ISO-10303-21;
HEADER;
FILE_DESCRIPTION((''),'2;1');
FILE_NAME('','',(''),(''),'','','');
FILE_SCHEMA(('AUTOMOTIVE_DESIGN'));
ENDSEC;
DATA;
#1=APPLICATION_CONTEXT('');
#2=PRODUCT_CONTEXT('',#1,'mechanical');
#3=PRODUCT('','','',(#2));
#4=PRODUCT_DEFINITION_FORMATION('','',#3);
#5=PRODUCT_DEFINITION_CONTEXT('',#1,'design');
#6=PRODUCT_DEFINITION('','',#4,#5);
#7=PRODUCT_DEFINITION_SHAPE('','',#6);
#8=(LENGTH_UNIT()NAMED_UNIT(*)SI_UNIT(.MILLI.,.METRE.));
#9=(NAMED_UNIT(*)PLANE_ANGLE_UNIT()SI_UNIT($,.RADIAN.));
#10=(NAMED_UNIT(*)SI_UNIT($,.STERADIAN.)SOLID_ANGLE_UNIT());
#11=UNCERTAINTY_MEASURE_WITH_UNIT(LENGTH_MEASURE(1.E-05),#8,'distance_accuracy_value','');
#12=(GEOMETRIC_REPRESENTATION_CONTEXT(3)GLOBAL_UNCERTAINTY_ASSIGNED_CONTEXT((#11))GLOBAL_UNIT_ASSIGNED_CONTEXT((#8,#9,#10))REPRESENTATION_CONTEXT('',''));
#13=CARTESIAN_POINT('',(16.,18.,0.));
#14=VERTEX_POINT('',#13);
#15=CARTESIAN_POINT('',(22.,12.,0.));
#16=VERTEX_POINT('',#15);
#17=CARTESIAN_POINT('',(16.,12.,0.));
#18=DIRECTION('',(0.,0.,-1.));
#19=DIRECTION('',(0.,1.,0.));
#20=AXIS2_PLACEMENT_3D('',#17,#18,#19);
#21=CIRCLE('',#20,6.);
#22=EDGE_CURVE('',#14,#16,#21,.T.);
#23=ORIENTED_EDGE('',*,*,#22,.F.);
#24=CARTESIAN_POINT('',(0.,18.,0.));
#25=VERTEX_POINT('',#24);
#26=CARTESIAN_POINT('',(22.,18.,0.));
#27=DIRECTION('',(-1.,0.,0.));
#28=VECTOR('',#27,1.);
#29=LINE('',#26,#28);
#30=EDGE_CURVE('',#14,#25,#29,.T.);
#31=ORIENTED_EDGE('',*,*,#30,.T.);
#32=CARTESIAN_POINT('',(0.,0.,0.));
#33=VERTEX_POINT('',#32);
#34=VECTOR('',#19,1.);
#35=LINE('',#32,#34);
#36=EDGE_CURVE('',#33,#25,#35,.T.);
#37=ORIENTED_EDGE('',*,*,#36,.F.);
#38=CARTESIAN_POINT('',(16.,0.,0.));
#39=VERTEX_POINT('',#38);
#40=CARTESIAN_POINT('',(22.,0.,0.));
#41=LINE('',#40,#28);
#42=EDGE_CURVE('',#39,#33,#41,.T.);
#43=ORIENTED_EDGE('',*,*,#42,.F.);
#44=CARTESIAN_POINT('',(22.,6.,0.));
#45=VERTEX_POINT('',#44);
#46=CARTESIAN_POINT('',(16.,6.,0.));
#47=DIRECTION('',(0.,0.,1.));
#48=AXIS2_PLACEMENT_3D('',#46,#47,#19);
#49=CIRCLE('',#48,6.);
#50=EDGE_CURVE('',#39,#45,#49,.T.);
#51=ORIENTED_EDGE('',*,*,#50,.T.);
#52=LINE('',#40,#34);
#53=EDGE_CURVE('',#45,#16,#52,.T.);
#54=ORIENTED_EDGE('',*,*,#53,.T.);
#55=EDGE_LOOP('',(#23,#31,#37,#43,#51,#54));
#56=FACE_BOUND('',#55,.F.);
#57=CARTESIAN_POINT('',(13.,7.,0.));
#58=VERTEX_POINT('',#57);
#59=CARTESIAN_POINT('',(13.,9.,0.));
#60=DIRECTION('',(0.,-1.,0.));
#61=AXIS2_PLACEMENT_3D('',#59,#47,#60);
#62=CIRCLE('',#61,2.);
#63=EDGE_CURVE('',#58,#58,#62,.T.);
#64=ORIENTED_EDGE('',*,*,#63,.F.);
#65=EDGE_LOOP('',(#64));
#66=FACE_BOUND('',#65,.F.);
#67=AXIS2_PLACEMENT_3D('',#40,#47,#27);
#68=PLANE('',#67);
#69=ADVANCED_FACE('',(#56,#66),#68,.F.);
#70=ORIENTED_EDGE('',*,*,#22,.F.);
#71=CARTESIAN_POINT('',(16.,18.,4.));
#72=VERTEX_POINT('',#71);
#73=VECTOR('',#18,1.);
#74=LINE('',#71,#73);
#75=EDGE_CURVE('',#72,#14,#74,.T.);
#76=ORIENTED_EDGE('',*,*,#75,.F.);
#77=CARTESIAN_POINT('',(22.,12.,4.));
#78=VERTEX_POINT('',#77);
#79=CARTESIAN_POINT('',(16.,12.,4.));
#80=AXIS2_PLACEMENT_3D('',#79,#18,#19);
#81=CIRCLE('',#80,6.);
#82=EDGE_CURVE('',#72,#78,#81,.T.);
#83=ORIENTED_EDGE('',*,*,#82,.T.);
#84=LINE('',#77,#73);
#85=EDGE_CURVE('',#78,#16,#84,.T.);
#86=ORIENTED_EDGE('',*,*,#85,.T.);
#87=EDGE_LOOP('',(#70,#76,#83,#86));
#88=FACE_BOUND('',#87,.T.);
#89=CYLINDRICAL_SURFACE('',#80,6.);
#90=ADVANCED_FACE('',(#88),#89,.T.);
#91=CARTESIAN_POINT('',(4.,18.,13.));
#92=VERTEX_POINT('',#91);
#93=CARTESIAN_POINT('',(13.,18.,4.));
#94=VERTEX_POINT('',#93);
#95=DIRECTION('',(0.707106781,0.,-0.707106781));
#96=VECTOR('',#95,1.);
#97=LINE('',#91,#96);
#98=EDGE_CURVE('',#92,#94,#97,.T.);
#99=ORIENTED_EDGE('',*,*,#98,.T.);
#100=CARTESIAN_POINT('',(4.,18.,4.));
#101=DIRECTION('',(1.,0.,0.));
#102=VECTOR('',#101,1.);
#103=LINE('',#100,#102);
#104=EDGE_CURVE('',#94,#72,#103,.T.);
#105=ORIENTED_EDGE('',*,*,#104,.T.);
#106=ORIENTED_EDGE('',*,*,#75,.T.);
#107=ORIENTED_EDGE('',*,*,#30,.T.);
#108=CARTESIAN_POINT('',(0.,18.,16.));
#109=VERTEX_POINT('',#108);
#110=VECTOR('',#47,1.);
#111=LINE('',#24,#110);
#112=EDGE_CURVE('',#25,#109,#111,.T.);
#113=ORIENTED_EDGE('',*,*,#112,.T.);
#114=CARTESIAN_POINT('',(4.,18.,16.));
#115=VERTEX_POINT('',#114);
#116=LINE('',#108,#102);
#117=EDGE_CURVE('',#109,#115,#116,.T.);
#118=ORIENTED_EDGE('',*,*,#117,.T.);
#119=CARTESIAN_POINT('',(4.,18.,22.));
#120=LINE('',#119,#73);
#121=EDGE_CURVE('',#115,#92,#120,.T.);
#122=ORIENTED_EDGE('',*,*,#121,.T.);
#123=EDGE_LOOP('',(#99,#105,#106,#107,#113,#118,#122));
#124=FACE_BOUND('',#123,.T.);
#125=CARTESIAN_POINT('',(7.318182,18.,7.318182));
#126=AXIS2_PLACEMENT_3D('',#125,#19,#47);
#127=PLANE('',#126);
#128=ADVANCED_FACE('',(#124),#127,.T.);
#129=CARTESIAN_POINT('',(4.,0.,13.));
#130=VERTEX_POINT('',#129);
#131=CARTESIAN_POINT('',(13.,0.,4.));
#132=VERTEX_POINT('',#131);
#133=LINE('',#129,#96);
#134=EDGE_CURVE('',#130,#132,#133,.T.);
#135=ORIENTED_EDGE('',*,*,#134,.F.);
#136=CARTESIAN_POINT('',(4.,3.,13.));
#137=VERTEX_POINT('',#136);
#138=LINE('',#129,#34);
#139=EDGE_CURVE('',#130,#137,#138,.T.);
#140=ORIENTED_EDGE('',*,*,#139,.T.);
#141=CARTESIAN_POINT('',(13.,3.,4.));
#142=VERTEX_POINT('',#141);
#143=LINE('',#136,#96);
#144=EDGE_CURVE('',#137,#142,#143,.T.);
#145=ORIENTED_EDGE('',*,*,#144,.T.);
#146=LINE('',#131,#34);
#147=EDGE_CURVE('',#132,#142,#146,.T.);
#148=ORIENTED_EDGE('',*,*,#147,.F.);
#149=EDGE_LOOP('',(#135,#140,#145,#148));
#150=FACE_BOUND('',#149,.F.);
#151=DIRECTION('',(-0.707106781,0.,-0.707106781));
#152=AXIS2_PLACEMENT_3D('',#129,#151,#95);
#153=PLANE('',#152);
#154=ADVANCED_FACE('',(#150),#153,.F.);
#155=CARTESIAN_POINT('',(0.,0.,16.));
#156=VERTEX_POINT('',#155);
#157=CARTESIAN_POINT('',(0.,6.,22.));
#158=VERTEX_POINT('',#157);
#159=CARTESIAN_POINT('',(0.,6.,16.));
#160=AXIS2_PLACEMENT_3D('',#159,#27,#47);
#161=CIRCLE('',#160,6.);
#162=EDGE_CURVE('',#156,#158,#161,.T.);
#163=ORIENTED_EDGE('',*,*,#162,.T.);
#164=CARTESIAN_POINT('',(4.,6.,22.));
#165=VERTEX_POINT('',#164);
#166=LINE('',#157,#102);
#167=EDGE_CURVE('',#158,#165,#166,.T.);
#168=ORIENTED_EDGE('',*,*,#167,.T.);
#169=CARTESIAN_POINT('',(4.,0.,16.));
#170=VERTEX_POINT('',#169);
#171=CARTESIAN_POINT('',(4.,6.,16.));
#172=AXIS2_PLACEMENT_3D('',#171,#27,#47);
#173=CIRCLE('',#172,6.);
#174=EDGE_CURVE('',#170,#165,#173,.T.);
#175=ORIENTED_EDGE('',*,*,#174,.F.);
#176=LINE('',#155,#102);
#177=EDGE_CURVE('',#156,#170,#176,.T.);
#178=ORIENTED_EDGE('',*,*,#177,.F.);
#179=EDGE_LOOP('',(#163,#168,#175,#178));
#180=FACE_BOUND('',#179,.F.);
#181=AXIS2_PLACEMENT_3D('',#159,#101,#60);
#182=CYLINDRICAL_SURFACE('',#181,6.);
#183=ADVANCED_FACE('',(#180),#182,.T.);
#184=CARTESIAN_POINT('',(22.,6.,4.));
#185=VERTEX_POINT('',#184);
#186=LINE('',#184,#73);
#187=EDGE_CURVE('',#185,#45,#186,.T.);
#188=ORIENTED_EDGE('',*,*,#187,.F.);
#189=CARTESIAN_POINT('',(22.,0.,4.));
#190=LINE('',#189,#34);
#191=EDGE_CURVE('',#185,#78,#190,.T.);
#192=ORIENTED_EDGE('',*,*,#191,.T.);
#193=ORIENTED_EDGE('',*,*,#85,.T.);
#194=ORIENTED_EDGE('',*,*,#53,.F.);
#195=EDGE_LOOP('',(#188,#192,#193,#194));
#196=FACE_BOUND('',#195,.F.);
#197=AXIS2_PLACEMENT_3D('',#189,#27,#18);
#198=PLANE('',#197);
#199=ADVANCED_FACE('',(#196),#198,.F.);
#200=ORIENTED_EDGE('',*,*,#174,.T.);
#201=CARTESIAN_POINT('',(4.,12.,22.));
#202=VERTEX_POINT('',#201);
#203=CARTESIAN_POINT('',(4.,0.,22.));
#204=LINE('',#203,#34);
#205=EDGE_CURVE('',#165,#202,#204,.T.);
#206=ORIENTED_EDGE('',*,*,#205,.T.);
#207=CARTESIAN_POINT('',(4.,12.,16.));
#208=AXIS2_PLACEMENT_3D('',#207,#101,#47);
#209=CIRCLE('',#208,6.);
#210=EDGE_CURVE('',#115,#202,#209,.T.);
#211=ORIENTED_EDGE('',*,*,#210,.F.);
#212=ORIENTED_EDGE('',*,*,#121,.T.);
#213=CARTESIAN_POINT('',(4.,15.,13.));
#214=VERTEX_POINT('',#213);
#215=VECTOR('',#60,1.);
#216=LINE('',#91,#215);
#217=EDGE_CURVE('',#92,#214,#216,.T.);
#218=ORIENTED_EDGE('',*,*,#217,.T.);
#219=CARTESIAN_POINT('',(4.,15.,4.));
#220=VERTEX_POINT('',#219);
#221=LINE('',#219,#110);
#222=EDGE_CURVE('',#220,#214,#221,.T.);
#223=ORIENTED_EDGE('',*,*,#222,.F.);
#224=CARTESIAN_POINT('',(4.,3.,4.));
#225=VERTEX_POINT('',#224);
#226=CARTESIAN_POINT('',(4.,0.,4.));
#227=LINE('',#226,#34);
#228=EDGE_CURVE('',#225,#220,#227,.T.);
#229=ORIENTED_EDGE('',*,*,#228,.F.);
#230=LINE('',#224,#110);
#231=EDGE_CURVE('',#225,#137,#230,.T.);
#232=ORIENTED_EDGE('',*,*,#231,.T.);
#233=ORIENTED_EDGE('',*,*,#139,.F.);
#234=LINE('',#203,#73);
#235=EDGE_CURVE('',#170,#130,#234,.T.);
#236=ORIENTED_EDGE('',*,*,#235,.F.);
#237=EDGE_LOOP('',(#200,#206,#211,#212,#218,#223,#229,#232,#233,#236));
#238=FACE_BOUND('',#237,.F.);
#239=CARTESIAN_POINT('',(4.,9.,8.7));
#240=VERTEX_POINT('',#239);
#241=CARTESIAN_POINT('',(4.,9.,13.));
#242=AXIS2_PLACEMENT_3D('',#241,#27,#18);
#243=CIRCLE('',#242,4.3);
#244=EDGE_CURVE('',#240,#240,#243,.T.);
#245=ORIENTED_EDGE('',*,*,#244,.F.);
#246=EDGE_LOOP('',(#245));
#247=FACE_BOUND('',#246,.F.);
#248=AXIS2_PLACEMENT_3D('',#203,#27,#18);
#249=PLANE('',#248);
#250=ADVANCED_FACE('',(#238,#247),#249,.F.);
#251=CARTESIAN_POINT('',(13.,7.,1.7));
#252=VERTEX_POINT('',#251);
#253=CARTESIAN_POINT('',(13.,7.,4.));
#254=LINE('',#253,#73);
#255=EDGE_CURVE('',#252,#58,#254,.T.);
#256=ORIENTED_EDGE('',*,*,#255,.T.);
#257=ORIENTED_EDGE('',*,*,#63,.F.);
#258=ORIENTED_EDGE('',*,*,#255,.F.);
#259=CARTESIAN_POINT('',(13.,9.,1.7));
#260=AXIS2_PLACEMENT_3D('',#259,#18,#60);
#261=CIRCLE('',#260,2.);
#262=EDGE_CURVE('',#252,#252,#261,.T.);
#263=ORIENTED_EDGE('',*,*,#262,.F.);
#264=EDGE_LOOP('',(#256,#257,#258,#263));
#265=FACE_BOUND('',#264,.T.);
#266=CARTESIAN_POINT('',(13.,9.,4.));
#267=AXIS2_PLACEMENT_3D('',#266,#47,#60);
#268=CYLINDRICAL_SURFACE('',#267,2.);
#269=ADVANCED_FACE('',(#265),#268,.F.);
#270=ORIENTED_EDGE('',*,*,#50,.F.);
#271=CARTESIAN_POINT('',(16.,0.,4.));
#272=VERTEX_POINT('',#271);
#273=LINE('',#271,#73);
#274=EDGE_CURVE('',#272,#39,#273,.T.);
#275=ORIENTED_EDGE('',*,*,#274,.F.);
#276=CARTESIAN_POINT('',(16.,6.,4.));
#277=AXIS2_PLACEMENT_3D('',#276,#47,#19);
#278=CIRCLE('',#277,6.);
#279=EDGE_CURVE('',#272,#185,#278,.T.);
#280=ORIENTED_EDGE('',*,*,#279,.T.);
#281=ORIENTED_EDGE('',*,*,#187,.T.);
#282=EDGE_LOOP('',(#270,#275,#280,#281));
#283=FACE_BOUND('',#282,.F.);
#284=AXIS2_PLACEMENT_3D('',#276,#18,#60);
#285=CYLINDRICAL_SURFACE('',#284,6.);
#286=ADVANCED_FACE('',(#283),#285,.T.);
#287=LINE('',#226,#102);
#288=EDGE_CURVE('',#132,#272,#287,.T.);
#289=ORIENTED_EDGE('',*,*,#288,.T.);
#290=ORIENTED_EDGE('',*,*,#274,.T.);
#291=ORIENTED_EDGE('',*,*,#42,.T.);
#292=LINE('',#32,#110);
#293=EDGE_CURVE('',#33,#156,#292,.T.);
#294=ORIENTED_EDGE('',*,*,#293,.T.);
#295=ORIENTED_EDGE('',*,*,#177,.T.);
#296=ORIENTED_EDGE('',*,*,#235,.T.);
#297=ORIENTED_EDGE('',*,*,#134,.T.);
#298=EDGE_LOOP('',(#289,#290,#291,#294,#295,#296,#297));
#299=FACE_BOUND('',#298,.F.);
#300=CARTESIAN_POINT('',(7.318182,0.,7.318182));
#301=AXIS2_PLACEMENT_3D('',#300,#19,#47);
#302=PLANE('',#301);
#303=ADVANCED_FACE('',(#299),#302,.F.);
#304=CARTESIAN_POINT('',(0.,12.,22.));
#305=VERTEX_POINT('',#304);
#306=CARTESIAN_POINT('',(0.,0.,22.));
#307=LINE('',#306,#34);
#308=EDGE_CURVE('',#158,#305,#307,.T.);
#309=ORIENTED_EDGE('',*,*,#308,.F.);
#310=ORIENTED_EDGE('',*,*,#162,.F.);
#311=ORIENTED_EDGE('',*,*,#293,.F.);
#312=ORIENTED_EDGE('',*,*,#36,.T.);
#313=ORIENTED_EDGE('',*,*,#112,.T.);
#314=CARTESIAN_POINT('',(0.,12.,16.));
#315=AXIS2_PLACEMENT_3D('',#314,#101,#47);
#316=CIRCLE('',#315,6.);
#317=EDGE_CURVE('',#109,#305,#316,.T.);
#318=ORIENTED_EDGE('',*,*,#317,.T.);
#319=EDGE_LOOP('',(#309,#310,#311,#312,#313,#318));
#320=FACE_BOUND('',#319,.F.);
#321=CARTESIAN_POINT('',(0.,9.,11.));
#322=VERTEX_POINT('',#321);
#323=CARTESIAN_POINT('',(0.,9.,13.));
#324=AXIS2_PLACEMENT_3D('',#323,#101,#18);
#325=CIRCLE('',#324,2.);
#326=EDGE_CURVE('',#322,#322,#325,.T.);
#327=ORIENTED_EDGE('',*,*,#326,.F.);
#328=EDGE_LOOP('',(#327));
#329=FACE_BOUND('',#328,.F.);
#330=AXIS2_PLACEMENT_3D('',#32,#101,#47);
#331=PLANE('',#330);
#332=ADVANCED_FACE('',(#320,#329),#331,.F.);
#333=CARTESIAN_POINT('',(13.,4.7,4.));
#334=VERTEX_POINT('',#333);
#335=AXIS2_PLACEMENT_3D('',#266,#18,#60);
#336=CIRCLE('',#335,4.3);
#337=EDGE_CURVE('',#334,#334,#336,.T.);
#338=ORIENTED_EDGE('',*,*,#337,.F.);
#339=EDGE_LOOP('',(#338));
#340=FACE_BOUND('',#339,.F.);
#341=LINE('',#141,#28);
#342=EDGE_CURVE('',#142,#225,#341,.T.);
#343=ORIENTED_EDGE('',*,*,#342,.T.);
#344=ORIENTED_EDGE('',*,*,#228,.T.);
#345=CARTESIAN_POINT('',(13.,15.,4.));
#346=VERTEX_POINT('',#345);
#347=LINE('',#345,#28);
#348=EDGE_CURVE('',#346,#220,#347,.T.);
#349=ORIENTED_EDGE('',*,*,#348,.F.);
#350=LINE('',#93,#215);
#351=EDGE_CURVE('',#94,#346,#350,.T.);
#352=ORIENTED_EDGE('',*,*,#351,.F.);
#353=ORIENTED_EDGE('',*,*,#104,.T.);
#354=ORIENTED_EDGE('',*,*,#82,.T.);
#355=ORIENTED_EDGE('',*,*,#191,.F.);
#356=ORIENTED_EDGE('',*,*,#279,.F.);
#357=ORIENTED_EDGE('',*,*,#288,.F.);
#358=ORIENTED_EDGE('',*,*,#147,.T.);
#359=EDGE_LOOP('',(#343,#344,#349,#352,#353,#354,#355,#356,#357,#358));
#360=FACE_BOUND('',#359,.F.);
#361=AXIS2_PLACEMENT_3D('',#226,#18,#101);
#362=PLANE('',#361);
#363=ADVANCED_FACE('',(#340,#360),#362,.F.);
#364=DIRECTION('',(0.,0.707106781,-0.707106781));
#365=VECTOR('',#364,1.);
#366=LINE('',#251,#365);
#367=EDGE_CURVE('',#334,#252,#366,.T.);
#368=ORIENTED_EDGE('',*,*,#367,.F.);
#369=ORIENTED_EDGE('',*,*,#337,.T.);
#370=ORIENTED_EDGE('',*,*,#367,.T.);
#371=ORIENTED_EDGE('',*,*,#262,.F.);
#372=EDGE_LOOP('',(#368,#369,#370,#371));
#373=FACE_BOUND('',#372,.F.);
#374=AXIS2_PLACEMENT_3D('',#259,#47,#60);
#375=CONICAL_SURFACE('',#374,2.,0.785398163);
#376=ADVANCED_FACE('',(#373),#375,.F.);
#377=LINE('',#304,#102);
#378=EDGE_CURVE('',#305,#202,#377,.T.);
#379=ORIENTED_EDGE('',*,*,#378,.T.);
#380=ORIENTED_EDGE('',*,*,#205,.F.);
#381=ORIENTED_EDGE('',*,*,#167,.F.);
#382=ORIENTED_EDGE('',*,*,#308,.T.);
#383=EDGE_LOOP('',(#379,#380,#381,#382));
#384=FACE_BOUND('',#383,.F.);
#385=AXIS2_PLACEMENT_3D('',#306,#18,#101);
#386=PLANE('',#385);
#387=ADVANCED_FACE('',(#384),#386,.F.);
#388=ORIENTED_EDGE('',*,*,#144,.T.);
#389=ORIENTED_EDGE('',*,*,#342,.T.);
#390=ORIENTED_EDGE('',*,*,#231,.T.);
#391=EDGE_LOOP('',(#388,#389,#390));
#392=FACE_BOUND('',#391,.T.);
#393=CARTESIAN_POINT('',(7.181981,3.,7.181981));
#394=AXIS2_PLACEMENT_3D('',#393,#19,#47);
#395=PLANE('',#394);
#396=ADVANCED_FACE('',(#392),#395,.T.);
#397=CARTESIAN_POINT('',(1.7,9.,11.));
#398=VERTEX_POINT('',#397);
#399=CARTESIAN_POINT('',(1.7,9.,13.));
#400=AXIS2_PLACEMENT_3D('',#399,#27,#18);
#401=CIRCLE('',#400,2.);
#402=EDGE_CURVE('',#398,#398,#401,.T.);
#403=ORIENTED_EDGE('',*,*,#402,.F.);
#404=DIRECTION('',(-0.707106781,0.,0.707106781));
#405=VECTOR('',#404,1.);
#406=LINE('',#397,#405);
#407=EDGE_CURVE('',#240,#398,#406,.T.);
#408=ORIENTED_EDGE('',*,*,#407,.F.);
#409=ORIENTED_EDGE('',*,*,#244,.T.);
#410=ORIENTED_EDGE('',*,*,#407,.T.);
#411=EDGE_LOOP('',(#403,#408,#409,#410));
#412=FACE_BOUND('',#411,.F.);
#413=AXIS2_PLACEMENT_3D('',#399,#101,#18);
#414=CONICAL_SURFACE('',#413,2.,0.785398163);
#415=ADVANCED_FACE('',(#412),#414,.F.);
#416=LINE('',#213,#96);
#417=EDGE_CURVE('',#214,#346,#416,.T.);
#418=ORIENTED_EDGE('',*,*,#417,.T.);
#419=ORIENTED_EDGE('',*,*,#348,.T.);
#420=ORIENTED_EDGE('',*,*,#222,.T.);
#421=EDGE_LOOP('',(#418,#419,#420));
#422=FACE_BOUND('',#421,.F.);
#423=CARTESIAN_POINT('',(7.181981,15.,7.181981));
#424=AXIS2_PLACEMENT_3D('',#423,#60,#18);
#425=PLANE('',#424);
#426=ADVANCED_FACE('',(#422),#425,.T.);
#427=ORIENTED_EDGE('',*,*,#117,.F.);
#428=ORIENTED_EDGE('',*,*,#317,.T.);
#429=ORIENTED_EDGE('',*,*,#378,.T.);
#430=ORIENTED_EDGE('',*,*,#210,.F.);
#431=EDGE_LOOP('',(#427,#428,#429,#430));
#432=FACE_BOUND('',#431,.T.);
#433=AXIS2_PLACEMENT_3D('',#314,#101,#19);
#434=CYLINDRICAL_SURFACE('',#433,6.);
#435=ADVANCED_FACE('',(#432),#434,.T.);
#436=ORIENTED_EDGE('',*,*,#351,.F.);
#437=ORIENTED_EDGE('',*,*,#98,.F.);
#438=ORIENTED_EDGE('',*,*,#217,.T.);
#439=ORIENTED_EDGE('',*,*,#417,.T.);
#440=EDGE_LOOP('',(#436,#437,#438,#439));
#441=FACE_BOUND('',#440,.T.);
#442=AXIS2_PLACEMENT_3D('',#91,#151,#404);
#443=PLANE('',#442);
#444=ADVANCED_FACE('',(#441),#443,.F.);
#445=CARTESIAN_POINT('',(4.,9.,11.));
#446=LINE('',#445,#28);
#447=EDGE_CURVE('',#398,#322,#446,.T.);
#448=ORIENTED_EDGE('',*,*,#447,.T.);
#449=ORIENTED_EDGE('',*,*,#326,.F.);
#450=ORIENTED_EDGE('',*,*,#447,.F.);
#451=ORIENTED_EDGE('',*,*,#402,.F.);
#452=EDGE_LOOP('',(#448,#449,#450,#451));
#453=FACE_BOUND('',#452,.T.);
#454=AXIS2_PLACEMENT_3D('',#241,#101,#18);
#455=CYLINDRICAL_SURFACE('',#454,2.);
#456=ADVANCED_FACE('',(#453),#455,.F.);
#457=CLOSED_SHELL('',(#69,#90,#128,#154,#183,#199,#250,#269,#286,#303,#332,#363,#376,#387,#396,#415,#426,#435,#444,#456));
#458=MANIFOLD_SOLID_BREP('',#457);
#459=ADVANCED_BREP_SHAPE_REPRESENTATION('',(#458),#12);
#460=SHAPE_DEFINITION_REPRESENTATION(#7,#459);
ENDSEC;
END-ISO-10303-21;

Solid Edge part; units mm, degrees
sketch "Sketch1" plane through (0, 0, 0) normal (0, -1, 0) x (1, 0, 0)
  line L0 (4, 22) -> (4, 4)
  line L1 (4, 4) -> (22, 4)
  line L2 (22, 4) -> (22, 0)
  line L3 (22, 0) -> (0, 0)
  line L4 (0, 0) -> (0, 22)
  line L5 (0, 22) -> (4, 22)
extrude "Protrusion1" add sketch "Sketch1" against normal blind 18
hole "Agujero_1" at (13, 9, 4) direction (0, 0, -1) diameter 4 end up to next
hole "Agujero_2" at (4, 9, 13) direction (-1, 0, 0) diameter 4 end up to next
sketch "Sketch2" plane through (11, 0, 11) normal (0, -1, 0) x (1, 0, 0)
  line L0 (-7, 2) -> (2, -7)
  line L1 (2, -7) -> (-7, -7)
  line L2 (-7, -7) -> (-7, 2)
extrude "ProtrusiónExtruida_2" add sketch "Sketch2" against normal blind 3
mirror "Mirror1" about plane through (11, 9, 11) normal (0, -1, 0) of "ProtrusiónExtruida_2"
fillet "Redondeo_2" radius 6 4 edges at (2, 0, 22) (2, 18, 22) (22, 18, 2) (22, 0, 2)
chamfer "Chaflán_1" distance 2.3 angle 45 2 edges at (11, 9, 4) (4, 7, 13)
